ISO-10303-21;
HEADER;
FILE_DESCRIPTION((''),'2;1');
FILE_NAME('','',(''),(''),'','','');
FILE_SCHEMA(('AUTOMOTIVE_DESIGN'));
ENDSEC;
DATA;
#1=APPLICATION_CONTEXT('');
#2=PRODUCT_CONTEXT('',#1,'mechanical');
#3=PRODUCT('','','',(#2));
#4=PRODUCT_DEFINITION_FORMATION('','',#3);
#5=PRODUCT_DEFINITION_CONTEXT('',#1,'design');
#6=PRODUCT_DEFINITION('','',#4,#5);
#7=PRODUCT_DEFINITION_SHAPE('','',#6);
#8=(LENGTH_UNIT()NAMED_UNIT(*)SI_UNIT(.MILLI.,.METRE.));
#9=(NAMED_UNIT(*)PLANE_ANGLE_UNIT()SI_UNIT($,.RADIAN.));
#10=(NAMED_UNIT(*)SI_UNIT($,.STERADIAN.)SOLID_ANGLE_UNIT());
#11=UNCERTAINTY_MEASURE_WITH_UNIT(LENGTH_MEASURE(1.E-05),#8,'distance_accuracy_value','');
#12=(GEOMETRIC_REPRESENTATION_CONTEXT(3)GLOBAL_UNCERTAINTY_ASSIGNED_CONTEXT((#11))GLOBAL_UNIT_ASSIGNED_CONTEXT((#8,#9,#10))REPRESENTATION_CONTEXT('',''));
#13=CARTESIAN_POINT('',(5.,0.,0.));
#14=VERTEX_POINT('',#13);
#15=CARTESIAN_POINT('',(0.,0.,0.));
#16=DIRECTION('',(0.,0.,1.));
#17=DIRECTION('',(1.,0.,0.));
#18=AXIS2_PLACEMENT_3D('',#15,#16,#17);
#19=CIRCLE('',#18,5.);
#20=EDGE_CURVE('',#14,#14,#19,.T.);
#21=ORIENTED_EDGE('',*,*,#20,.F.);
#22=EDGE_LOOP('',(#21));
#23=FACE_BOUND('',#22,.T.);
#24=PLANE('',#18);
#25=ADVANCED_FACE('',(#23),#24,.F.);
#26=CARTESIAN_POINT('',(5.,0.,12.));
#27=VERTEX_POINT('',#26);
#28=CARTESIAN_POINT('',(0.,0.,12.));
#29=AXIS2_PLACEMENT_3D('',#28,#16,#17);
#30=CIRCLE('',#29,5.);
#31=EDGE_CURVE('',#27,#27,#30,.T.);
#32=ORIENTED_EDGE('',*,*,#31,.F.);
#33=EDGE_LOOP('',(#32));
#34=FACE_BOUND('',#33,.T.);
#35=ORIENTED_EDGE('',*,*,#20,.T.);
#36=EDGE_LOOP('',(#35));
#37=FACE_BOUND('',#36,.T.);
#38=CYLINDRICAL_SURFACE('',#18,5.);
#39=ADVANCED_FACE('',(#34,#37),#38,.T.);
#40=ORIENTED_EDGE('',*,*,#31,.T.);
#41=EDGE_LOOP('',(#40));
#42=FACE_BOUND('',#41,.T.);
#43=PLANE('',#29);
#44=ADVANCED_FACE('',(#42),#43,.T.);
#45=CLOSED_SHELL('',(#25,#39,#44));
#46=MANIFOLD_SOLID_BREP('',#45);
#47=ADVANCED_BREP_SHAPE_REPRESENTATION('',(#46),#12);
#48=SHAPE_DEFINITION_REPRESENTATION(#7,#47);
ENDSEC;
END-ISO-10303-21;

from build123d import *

# Parameters (mm, degrees)
SKETCH_1_W          = 40
SKETCH_1_H          = 30
EXTRUDE_1_DEPTH     = 12
SKETCH_2_OUTSIDE_W  = 52.284
SKETCH_2_OUTSIDE_H  = 42.284
SKETCH_2_OUTSIDE_R  = 5
CUT_EXTRUDE_1_DEPTH = 28.730849248


with BuildPart() as part:
    # 草图1 → 凸台-拉伸1 (new body)
    with BuildSketch(Plane.XY):
        Rectangle(SKETCH_1_W, SKETCH_1_H)
    extrude(amount=EXTRUDE_1_DEPTH)

    # 草图2 outside → 切除-拉伸1 (cut, through all)
    with BuildSketch(Plane.XY.offset(12)):
        Rectangle(SKETCH_2_OUTSIDE_W, SKETCH_2_OUTSIDE_H)
        Circle(SKETCH_2_OUTSIDE_R, mode=Mode.SUBTRACT)
    extrude(amount=-CUT_EXTRUDE_1_DEPTH, mode=Mode.SUBTRACT)


solid = part.part
